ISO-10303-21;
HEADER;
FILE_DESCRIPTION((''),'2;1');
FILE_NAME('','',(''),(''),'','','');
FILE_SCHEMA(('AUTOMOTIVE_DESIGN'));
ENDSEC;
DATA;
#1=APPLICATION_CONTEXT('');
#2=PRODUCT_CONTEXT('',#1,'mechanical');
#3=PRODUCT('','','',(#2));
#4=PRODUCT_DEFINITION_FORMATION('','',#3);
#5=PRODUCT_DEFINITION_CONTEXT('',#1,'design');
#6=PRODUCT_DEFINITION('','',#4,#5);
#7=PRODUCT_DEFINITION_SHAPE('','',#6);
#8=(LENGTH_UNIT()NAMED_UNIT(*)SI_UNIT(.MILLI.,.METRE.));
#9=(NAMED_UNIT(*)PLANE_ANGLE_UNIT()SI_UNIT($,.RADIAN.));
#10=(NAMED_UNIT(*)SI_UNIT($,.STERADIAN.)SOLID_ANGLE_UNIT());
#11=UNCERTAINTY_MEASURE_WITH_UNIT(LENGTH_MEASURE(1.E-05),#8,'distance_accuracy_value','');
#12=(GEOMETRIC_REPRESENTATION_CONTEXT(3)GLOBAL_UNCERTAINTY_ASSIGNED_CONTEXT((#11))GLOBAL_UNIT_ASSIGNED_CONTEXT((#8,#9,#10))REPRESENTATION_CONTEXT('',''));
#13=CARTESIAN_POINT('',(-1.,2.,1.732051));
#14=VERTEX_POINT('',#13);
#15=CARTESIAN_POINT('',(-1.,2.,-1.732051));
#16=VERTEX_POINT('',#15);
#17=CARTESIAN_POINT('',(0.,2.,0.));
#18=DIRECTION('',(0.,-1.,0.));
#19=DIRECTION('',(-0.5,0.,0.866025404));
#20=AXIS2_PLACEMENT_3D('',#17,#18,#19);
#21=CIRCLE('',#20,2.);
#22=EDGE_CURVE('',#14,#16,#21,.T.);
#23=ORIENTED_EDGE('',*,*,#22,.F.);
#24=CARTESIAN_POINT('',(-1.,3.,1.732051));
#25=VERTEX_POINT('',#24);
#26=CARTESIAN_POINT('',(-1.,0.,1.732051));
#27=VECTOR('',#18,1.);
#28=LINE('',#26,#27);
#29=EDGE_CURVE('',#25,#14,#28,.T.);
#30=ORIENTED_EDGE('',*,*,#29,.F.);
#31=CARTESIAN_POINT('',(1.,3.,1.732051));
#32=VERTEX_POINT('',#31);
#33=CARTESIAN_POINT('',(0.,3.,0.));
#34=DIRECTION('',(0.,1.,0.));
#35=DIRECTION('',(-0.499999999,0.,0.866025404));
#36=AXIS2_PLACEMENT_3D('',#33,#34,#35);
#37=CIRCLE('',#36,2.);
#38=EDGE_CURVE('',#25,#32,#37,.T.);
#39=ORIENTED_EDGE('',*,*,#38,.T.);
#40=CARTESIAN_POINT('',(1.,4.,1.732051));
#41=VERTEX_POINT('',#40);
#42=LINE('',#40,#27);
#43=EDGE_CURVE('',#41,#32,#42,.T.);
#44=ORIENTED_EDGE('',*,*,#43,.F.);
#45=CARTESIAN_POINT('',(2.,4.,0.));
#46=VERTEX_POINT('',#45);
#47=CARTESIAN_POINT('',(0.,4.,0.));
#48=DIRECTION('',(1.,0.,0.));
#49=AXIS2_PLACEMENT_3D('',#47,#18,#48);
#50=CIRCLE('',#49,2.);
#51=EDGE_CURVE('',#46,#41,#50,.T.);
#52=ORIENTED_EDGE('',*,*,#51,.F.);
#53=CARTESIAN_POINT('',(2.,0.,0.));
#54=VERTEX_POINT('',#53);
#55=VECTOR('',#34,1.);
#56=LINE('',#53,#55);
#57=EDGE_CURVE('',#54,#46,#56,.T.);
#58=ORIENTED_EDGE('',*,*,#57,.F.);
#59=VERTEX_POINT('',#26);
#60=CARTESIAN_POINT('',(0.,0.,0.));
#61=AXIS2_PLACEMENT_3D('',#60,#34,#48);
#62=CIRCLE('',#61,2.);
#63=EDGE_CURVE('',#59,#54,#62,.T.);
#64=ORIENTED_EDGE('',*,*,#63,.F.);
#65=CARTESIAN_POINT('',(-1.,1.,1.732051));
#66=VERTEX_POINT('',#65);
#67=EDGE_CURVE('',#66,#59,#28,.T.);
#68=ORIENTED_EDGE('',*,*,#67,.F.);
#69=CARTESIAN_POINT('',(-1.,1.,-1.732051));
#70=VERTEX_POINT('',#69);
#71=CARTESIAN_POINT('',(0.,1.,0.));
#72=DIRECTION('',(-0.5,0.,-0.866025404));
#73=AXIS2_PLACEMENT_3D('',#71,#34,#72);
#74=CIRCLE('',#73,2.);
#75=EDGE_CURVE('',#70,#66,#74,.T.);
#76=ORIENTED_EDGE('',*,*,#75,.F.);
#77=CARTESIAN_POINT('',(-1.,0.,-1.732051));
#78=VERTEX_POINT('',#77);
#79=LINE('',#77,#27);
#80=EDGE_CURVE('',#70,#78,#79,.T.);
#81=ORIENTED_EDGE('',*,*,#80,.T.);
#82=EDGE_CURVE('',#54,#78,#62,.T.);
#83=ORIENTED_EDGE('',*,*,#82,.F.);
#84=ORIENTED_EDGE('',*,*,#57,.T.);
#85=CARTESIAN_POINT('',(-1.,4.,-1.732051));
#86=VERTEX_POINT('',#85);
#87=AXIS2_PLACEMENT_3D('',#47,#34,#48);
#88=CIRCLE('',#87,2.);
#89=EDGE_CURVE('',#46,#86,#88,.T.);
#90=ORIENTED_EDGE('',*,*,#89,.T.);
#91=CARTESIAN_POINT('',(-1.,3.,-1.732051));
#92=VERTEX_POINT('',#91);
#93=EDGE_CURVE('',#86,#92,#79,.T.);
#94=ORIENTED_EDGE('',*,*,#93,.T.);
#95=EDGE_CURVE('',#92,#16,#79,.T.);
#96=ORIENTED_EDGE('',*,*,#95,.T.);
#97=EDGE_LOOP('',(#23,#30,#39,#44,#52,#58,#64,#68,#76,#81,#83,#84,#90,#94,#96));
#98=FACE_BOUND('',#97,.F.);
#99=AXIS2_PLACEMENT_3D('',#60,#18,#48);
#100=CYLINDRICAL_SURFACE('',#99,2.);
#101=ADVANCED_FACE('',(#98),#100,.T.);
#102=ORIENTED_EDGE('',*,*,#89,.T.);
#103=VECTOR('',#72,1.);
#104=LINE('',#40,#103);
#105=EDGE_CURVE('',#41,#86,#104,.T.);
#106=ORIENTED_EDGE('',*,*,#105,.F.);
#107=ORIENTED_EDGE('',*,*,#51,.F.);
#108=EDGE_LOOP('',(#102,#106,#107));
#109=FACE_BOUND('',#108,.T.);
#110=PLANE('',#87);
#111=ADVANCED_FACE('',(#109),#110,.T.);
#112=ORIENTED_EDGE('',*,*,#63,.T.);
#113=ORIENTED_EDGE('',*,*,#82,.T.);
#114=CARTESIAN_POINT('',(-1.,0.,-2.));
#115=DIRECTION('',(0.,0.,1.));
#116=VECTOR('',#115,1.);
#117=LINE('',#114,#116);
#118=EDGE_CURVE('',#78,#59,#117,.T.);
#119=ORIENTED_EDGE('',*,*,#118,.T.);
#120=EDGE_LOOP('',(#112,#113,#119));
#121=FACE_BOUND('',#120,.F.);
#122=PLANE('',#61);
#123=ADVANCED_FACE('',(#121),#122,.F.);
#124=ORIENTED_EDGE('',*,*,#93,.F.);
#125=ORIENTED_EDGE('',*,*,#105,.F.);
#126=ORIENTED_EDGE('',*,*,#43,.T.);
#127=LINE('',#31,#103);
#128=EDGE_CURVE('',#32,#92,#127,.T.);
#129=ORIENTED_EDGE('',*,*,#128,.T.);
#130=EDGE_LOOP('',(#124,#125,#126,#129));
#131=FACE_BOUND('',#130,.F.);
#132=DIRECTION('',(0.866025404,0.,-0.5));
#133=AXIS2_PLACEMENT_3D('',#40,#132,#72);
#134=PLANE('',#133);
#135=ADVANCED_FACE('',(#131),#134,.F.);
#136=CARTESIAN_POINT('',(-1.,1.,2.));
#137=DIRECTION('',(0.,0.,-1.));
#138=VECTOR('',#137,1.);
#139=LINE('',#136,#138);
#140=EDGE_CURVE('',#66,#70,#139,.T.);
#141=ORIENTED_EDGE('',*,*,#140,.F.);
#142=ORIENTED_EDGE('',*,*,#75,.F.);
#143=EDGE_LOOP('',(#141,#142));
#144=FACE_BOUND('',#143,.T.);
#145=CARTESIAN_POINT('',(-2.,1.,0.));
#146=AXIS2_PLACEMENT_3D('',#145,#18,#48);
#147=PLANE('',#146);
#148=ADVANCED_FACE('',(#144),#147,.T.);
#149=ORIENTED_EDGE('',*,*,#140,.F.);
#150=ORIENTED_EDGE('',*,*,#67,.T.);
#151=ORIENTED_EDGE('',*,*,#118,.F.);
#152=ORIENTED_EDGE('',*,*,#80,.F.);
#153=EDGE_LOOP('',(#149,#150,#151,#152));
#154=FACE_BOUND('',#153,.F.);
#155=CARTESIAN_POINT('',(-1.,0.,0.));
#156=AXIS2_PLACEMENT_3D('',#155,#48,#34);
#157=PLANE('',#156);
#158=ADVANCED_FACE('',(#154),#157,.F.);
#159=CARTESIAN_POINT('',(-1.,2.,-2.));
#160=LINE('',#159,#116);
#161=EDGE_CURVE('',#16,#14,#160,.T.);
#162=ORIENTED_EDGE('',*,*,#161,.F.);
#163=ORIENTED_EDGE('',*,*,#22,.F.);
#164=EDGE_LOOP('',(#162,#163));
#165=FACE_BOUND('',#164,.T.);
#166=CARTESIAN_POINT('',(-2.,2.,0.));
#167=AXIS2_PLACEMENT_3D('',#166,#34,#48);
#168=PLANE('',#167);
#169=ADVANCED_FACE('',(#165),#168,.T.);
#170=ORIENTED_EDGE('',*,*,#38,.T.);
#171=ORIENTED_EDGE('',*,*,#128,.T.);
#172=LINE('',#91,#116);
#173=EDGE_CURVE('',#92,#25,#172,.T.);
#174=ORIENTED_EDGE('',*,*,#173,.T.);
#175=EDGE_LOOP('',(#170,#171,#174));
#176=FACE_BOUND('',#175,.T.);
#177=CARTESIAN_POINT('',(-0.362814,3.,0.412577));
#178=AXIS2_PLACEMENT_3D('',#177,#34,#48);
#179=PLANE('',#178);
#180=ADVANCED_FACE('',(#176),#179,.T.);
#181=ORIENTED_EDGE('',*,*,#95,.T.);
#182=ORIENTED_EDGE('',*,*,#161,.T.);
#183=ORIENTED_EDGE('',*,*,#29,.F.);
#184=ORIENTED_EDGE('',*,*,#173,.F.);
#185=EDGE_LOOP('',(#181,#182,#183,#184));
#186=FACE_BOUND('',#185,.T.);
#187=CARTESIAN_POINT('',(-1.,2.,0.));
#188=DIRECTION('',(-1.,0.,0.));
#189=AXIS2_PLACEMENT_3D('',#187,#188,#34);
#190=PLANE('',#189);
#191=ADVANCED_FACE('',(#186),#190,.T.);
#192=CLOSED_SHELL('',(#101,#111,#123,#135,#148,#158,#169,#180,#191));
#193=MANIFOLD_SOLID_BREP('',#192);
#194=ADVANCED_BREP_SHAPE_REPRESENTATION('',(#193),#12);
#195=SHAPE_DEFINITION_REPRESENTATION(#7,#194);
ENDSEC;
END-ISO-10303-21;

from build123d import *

# Parameters (mm, degrees)
SKETCH1_R               = 2
BOSS_EXTRUDE1_DEPTH     = 4
SKETCH2_W               = 1
SKETCH2_H               = 2
SKETCH2_H_2             = 1
CUT_EXTRUDE1_DEPTH      = 2
CUT_EXTRUDE4_DEPTH      = 1
CUT_EXTRUDE4_DEPTH_BACK = 1


with BuildPart() as part:
    # Sketch1 → Boss-Extrude1 (new body)
    with BuildSketch(Plane(origin=(0, 0, 0), x_dir=(1, 0, 0), z_dir=(0, 1, 0))):
        Circle(SKETCH1_R)
    extrude(amount=BOSS_EXTRUDE1_DEPTH)

    # Sketch2 → Cut-Extrude1 (cut, symmetric)
    with BuildSketch(Plane.XY):
        with Locations((-1.5, 3)):
            Rectangle(SKETCH2_W, SKETCH2_H)
        with Locations((-1.5, 0.5)):
            Rectangle(SKETCH2_W, SKETCH2_H_2)
    extrude(amount=CUT_EXTRUDE1_DEPTH, both=True, mode=Mode.SUBTRACT)

    # Sketch3 → Cut-Extrude4 (cut, two sides)
    with BuildSketch(Plane(origin=(0, 4, 0), x_dir=(1, 0, 0), z_dir=(0, 1, 0))) as cut_extrude4_sk:
        with BuildLine():
            ThreePointArc((-1, -1.732050808), (0, -2), (1, -1.732050808))
            Line((1, -1.732050808), (-1, 1.732050808))
            Line((-1, 1.732050808), (-1, -1.732050808))
        make_face()
    extrude(amount=CUT_EXTRUDE4_DEPTH, mode=Mode.SUBTRACT)
    extrude(cut_extrude4_sk.sketch, amount=-CUT_EXTRUDE4_DEPTH_BACK, mode=Mode.SUBTRACT)


solid = part.part
